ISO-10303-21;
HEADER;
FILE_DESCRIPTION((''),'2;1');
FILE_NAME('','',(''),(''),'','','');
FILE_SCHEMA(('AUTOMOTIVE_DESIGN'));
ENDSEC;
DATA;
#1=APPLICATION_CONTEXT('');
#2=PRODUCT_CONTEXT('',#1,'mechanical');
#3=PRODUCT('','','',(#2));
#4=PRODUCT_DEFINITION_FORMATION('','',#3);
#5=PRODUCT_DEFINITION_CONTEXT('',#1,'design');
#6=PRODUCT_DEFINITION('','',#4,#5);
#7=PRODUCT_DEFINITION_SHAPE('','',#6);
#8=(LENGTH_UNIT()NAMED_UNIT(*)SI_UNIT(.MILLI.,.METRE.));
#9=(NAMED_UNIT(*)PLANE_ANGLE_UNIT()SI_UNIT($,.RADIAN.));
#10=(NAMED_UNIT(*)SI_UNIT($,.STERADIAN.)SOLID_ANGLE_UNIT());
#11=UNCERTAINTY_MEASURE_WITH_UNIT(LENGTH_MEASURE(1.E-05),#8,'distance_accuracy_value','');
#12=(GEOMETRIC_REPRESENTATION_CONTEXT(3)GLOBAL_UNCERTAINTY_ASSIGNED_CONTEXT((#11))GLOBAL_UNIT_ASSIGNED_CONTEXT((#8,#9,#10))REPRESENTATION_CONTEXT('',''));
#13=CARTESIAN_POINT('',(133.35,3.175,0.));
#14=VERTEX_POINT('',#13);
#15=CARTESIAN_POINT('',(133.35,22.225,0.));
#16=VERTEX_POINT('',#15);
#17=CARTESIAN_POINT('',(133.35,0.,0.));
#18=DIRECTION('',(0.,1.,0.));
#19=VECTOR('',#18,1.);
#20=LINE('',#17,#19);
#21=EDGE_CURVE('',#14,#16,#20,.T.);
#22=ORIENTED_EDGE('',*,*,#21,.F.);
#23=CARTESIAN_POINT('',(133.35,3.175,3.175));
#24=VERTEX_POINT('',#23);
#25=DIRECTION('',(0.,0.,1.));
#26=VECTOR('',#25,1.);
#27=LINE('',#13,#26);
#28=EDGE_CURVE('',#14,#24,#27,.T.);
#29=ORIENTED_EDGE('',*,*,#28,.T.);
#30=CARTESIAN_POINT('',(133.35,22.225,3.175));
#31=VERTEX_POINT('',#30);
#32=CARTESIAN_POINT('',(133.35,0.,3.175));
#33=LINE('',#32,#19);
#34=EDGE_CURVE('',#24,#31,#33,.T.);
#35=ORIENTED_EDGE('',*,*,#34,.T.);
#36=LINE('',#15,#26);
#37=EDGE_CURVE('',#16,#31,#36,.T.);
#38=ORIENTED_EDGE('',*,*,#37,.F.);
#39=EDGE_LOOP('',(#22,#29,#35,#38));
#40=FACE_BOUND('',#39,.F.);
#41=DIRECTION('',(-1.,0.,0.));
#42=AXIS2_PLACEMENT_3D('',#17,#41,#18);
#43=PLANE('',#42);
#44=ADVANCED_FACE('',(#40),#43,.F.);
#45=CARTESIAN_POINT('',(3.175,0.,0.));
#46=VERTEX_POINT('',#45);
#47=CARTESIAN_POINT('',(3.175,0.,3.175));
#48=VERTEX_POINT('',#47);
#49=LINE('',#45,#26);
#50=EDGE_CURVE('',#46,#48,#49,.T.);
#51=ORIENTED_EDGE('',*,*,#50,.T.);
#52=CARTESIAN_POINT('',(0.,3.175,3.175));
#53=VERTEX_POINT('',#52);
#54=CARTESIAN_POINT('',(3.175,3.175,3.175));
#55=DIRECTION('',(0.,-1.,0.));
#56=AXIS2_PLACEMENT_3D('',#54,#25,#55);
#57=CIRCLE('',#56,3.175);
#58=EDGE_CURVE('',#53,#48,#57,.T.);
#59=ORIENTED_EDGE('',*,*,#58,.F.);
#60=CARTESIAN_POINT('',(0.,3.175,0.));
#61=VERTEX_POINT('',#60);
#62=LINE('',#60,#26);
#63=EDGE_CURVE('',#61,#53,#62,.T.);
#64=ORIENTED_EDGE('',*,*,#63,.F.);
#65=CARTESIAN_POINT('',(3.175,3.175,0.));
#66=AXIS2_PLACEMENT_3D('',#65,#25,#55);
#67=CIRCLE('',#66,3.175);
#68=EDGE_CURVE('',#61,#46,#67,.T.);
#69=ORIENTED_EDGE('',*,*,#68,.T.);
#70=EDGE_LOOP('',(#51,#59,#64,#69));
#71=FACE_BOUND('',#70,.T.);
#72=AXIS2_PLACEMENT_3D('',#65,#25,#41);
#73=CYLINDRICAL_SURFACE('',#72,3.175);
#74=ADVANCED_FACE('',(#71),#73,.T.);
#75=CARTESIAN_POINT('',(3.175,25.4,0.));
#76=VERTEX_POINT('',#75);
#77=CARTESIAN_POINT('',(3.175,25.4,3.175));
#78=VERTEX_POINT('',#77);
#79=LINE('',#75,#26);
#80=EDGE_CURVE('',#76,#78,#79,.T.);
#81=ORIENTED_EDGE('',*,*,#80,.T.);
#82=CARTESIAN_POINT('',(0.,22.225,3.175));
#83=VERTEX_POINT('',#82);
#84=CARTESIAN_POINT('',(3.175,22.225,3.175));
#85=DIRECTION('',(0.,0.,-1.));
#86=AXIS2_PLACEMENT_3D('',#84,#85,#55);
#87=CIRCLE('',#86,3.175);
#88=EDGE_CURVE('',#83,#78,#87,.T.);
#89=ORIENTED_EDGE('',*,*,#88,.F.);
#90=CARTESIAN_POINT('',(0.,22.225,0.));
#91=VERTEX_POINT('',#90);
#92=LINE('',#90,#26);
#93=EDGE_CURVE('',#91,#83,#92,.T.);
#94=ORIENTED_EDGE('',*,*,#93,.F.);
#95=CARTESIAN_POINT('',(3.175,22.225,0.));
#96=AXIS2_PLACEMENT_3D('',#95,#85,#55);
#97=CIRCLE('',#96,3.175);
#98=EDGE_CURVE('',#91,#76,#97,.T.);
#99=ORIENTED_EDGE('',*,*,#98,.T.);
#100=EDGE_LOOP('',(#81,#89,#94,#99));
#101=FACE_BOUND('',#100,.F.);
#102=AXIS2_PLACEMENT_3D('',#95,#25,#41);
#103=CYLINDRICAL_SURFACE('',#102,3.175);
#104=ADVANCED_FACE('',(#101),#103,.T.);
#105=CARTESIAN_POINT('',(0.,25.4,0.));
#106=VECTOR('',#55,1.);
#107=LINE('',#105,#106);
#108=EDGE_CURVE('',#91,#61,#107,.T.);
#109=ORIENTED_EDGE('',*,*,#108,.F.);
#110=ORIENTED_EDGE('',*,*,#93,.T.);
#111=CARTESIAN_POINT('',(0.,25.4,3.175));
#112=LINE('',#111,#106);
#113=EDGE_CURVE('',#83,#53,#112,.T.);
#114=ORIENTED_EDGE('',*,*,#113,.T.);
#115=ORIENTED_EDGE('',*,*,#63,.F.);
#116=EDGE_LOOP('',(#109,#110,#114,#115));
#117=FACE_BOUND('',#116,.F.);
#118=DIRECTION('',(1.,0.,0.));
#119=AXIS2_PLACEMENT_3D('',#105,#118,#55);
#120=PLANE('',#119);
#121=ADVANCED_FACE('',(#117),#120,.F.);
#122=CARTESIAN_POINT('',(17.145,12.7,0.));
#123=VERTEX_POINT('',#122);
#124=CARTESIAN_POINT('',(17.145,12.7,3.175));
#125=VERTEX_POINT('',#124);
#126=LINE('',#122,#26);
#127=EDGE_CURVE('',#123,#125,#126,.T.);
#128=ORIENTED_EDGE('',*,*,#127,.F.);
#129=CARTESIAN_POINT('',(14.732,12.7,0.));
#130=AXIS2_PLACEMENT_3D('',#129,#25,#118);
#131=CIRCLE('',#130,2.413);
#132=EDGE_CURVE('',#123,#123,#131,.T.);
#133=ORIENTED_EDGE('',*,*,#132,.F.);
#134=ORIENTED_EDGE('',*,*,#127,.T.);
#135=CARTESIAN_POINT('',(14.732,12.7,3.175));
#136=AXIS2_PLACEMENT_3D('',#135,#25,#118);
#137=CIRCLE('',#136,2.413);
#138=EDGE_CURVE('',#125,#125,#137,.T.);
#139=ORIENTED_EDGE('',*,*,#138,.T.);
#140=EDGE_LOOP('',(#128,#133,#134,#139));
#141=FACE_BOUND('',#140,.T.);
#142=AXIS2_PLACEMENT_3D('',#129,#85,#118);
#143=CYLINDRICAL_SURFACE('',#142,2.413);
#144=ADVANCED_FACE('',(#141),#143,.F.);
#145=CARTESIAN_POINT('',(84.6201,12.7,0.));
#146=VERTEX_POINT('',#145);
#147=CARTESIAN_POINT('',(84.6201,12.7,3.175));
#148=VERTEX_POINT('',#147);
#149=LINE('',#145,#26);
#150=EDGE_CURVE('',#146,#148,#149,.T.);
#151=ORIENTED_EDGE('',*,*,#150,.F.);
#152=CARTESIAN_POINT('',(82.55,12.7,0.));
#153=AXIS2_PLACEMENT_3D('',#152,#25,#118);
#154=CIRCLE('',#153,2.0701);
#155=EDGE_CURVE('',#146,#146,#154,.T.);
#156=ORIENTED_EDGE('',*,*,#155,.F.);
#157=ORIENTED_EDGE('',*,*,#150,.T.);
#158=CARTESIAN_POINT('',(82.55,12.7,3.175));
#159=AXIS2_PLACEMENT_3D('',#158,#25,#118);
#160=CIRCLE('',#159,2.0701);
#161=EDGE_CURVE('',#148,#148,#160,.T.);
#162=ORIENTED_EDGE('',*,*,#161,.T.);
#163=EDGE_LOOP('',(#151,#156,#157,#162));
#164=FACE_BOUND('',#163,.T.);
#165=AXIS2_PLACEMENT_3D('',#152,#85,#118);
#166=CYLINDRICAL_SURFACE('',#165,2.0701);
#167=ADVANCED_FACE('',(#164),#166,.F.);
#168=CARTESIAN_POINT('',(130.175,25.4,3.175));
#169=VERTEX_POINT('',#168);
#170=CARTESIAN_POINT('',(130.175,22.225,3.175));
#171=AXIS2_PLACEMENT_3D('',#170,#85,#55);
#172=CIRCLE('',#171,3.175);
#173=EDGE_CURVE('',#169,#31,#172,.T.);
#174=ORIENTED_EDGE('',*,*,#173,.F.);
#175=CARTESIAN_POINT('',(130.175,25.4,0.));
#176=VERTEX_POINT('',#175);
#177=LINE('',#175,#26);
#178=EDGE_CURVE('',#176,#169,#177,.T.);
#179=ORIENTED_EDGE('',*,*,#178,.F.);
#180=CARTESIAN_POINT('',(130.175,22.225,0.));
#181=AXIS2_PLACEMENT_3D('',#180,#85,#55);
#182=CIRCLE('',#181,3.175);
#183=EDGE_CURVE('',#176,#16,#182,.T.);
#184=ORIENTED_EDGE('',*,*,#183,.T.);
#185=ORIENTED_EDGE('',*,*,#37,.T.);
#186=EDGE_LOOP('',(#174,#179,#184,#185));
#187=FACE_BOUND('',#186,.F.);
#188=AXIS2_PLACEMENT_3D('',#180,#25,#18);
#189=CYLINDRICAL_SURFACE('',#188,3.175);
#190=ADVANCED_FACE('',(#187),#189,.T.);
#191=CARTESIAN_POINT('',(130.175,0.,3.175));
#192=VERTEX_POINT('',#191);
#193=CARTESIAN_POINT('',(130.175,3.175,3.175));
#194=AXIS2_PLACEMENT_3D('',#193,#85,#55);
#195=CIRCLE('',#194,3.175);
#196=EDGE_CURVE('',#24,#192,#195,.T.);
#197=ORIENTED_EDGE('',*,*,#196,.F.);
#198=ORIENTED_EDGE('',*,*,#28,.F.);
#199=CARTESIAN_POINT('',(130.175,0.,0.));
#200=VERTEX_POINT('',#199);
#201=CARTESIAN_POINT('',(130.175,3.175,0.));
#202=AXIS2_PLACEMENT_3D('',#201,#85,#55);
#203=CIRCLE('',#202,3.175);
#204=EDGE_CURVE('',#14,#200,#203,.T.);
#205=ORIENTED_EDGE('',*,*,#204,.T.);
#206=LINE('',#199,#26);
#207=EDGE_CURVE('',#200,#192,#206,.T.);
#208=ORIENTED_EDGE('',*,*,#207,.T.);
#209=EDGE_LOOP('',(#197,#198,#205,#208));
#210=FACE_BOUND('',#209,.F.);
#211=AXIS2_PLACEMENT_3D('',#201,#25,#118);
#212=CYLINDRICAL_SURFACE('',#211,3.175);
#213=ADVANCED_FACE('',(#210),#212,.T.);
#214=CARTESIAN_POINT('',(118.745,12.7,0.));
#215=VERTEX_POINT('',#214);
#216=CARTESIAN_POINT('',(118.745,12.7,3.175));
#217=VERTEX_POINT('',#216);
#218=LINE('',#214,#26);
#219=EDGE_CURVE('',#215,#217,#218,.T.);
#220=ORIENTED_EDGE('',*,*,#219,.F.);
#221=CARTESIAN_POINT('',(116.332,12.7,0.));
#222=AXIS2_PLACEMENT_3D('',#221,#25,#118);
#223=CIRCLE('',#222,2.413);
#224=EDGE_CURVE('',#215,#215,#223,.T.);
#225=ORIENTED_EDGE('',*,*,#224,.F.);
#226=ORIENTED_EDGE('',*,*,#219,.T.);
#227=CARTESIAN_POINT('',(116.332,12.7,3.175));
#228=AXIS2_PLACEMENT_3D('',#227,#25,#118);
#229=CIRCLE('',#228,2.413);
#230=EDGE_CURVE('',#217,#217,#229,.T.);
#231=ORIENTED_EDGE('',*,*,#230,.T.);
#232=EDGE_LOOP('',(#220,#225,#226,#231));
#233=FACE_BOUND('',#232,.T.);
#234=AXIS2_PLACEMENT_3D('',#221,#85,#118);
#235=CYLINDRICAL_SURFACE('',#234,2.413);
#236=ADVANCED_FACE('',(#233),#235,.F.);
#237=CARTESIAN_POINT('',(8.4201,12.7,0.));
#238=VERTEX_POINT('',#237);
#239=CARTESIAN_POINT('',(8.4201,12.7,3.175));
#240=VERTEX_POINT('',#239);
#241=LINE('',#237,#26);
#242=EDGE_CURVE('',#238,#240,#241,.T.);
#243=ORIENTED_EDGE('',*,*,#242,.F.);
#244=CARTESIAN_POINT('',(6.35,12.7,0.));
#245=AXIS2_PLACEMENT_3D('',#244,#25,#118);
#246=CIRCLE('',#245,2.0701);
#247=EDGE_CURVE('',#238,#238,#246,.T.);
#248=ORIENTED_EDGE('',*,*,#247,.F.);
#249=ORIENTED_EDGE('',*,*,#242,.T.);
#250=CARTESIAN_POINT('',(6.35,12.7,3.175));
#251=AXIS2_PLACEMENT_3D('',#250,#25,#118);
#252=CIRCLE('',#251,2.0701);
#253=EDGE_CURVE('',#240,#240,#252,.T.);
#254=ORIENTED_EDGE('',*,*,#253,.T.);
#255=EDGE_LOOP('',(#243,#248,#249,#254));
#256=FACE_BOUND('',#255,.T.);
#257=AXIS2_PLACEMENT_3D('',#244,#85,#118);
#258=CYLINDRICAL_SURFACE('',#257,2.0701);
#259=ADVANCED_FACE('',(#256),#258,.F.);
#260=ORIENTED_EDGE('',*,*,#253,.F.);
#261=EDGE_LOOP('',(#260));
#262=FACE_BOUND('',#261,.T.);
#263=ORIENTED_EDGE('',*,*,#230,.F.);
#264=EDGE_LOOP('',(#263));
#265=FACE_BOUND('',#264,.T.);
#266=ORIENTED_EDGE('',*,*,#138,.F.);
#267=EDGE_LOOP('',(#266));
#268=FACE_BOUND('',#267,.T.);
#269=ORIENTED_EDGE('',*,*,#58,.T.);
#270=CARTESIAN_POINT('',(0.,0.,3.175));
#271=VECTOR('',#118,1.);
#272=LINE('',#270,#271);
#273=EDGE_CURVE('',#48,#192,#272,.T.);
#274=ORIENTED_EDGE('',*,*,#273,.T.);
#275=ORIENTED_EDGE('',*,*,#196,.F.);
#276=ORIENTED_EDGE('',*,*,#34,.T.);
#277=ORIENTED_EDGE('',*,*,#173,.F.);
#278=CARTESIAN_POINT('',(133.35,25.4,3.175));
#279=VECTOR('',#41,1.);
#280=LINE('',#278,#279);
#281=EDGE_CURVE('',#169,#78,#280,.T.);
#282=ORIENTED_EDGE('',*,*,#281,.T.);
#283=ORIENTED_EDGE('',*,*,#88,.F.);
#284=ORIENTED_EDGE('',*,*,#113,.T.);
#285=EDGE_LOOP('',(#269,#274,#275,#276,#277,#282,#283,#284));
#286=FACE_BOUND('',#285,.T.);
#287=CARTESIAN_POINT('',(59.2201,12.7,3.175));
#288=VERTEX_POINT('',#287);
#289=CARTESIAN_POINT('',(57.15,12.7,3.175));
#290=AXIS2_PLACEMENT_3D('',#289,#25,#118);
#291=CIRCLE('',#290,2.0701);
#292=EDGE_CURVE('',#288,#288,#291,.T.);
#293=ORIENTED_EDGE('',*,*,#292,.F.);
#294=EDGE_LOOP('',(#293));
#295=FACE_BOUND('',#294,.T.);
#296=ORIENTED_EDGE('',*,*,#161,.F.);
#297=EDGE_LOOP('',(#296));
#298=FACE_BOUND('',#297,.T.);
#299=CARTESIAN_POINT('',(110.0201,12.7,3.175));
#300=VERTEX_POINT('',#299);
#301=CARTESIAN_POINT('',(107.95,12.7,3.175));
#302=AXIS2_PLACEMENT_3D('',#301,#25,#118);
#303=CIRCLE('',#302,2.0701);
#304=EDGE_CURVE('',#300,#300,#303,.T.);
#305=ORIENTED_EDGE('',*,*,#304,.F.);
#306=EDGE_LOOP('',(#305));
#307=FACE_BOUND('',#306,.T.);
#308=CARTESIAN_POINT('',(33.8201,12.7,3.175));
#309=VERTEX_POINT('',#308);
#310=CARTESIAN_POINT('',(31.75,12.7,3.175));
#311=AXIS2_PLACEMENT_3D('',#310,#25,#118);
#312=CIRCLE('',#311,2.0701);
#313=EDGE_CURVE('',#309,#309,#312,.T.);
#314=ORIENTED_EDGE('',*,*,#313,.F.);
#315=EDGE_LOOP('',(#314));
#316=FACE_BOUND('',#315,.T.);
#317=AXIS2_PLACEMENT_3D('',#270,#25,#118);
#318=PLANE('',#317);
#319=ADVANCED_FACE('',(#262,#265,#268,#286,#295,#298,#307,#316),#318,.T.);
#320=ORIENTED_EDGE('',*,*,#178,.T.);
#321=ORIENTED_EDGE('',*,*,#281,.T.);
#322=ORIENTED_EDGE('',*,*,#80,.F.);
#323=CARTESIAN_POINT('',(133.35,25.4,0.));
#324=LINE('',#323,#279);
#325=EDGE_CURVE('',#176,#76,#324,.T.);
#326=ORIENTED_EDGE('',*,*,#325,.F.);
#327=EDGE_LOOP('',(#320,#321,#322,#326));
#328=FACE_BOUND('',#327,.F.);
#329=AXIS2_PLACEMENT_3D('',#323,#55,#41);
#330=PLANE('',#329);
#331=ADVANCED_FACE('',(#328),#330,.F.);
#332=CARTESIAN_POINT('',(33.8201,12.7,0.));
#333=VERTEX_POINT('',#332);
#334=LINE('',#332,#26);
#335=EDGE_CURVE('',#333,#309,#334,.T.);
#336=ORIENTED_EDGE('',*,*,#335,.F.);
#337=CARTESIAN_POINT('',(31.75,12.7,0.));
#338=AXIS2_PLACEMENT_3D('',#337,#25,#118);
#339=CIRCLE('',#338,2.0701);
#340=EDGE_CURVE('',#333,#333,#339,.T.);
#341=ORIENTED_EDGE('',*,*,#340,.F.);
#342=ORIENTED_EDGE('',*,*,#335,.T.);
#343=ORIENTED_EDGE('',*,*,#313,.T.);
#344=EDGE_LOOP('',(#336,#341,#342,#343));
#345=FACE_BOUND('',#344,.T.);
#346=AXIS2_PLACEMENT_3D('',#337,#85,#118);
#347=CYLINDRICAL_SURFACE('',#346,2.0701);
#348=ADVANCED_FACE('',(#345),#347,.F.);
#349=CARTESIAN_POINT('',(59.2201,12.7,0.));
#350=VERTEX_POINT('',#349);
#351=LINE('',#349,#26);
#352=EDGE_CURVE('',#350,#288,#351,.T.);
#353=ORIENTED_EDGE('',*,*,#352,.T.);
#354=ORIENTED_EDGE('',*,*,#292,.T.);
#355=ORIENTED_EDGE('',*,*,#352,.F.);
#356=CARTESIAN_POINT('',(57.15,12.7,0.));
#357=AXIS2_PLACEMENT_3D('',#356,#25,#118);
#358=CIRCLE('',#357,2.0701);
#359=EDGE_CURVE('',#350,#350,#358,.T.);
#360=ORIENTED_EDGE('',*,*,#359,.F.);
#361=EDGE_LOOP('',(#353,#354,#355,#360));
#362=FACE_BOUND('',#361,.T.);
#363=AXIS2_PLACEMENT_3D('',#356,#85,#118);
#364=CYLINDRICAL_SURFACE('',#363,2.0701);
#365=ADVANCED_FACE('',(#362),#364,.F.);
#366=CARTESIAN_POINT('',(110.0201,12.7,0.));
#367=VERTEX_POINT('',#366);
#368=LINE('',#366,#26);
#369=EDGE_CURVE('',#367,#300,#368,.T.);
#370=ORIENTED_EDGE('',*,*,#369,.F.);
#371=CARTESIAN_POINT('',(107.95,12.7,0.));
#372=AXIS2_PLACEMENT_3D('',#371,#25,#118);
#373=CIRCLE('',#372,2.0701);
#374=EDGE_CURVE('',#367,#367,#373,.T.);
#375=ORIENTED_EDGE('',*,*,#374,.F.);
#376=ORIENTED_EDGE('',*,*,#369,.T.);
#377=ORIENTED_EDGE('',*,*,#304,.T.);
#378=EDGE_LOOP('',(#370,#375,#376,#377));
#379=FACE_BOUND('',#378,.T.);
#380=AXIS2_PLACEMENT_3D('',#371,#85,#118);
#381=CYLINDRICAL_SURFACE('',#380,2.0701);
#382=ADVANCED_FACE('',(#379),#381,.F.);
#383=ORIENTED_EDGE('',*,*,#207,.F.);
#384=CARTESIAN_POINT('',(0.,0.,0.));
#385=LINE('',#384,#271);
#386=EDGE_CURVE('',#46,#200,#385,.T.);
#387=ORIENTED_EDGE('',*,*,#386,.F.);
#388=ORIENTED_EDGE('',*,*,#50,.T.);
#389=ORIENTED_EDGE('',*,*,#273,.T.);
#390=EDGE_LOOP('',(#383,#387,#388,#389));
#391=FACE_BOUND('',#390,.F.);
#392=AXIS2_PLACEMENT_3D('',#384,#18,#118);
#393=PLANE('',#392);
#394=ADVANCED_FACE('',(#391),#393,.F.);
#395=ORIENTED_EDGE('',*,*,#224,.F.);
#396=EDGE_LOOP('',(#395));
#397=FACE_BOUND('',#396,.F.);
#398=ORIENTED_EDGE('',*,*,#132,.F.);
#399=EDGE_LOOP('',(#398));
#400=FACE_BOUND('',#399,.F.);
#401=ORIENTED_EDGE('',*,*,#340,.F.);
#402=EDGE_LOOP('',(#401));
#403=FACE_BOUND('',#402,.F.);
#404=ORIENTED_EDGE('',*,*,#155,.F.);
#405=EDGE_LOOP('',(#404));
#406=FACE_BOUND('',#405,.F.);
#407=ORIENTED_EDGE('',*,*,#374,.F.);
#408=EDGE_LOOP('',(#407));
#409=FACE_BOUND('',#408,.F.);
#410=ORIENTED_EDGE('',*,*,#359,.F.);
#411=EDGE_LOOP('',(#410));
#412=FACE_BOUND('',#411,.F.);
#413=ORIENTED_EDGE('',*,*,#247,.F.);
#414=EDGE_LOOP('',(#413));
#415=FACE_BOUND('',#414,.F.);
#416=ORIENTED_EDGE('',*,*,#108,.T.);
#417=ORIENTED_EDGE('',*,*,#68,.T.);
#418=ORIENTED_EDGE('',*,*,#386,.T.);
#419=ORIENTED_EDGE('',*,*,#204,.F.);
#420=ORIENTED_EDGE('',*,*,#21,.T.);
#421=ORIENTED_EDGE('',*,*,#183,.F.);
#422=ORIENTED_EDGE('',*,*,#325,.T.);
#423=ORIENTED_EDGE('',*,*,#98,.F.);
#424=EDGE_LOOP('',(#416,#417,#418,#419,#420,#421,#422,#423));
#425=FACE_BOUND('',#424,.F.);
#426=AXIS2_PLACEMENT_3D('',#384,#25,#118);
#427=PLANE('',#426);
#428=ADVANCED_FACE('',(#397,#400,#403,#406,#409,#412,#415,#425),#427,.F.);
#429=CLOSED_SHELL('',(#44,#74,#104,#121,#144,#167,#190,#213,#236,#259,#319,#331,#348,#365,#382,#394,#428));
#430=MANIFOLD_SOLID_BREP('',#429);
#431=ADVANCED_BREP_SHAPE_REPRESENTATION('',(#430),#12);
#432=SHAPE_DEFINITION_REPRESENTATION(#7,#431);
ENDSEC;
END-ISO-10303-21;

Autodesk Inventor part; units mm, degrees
ref_plane "YZ Plane" through (0, 0, 0) normal (1, 0, 0) x (0, 1, 0)
ref_plane "XZ Plane" through (0, 0, 0) normal (0, 1, 0) x (-1, 0, 0)
ref_plane "XY Plane" through (0, 0, 0) normal (0, 0, 1) x (1, 0, 0)
sketch "Sketch1" plane through (0, 0, 0) normal (0, 0, 1) x (1, 0, 0)
  line L0 (0, 0) -> (133.35, 0)
  line L1 (133.35, 0) -> (133.35, 25.4)
  line L2 (133.35, 25.4) -> (0, 25.4)
  line L3 (0, 25.4) -> (0, 0)
  circle A0 centre (6.35, 12.7) radius 2.0701
  circle A1 centre (31.75, 12.7) radius 2.0701
  circle A2 centre (57.15, 12.7) radius 2.0701
  circle A3 centre (82.55, 12.7) radius 2.0701
  circle A4 centre (107.95, 12.7) radius 2.0701
  circle A5 centre (116.332, 12.7) radius 2.413
  circle A6 centre (14.732, 12.7) radius 2.413
  dimension "d0" = 133.35
  dimension "d1" = 25.4
  dimension "d2" = 4.1402
  dimension "d3" = 12.7
  dimension "d4" = 6.35
  dimension "d7" = 25.4
  dimension "d12" = 4.826
  dimension "d15" = 101.6
  dimension "d21" = 8.382
  dimension "d22" = 12.7
extrude "Extrusion1" add sketch "Sketch1" along normal blind 3.175
fillet "Fillet1" radius 3.175 4 edges at (0, 25.4, 1.5875) (133.35, 25.4, 1.5875) (133.35, 0, 1.5875) (0, 0, 1.5875)
properties part number "Spacer for Belt" material "Aluminum 6061"
